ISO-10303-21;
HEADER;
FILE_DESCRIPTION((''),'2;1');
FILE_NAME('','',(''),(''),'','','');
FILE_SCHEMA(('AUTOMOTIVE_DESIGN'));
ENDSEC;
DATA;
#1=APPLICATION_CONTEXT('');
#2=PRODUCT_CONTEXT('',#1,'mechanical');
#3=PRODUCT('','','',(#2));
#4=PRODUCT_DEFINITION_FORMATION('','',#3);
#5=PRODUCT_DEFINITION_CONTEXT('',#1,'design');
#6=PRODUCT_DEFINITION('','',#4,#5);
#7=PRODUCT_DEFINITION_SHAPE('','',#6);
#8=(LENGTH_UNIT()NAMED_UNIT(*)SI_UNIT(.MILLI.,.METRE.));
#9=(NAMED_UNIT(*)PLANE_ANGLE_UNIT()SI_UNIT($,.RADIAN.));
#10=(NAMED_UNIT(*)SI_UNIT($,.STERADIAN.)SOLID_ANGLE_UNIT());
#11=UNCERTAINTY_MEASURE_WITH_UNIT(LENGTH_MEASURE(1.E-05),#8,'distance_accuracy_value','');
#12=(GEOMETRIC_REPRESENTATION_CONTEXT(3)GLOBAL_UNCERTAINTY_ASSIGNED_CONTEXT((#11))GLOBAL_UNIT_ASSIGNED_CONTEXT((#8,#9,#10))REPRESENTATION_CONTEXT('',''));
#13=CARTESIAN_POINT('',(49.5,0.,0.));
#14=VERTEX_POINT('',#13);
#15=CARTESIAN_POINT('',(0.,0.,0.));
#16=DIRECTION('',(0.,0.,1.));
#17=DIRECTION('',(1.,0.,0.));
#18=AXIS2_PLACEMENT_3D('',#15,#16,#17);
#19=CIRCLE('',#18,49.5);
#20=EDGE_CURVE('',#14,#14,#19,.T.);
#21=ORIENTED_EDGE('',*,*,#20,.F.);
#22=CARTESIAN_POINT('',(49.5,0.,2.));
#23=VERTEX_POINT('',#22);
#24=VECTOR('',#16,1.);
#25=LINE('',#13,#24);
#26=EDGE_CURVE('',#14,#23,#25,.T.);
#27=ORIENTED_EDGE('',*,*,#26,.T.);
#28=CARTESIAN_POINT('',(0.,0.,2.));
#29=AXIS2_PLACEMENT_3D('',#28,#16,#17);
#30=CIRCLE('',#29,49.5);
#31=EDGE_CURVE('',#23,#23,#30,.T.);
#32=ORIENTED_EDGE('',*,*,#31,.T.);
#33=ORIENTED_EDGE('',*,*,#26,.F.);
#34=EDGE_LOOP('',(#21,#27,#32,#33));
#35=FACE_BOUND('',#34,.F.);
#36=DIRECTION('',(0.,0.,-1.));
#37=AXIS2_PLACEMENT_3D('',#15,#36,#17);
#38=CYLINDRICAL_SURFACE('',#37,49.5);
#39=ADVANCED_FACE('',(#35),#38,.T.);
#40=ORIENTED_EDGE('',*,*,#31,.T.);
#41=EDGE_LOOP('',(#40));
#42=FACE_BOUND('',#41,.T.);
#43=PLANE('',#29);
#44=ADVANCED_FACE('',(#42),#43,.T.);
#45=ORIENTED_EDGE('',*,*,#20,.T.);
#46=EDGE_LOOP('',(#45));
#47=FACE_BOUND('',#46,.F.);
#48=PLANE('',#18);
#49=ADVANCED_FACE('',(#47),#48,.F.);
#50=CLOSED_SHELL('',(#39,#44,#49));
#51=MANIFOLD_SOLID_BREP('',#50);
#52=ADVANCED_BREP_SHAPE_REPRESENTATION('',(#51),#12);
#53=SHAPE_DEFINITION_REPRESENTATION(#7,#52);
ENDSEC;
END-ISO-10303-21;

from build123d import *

# Parameters (mm, degrees)
SKETCH_R  = 49.5
PAD_DEPTH = 2


with BuildPart() as part:
    # Sketch → Pad (new body)
    with BuildSketch(Plane.XY):
        Circle(SKETCH_R)
    extrude(amount=PAD_DEPTH)


solid = part.part
